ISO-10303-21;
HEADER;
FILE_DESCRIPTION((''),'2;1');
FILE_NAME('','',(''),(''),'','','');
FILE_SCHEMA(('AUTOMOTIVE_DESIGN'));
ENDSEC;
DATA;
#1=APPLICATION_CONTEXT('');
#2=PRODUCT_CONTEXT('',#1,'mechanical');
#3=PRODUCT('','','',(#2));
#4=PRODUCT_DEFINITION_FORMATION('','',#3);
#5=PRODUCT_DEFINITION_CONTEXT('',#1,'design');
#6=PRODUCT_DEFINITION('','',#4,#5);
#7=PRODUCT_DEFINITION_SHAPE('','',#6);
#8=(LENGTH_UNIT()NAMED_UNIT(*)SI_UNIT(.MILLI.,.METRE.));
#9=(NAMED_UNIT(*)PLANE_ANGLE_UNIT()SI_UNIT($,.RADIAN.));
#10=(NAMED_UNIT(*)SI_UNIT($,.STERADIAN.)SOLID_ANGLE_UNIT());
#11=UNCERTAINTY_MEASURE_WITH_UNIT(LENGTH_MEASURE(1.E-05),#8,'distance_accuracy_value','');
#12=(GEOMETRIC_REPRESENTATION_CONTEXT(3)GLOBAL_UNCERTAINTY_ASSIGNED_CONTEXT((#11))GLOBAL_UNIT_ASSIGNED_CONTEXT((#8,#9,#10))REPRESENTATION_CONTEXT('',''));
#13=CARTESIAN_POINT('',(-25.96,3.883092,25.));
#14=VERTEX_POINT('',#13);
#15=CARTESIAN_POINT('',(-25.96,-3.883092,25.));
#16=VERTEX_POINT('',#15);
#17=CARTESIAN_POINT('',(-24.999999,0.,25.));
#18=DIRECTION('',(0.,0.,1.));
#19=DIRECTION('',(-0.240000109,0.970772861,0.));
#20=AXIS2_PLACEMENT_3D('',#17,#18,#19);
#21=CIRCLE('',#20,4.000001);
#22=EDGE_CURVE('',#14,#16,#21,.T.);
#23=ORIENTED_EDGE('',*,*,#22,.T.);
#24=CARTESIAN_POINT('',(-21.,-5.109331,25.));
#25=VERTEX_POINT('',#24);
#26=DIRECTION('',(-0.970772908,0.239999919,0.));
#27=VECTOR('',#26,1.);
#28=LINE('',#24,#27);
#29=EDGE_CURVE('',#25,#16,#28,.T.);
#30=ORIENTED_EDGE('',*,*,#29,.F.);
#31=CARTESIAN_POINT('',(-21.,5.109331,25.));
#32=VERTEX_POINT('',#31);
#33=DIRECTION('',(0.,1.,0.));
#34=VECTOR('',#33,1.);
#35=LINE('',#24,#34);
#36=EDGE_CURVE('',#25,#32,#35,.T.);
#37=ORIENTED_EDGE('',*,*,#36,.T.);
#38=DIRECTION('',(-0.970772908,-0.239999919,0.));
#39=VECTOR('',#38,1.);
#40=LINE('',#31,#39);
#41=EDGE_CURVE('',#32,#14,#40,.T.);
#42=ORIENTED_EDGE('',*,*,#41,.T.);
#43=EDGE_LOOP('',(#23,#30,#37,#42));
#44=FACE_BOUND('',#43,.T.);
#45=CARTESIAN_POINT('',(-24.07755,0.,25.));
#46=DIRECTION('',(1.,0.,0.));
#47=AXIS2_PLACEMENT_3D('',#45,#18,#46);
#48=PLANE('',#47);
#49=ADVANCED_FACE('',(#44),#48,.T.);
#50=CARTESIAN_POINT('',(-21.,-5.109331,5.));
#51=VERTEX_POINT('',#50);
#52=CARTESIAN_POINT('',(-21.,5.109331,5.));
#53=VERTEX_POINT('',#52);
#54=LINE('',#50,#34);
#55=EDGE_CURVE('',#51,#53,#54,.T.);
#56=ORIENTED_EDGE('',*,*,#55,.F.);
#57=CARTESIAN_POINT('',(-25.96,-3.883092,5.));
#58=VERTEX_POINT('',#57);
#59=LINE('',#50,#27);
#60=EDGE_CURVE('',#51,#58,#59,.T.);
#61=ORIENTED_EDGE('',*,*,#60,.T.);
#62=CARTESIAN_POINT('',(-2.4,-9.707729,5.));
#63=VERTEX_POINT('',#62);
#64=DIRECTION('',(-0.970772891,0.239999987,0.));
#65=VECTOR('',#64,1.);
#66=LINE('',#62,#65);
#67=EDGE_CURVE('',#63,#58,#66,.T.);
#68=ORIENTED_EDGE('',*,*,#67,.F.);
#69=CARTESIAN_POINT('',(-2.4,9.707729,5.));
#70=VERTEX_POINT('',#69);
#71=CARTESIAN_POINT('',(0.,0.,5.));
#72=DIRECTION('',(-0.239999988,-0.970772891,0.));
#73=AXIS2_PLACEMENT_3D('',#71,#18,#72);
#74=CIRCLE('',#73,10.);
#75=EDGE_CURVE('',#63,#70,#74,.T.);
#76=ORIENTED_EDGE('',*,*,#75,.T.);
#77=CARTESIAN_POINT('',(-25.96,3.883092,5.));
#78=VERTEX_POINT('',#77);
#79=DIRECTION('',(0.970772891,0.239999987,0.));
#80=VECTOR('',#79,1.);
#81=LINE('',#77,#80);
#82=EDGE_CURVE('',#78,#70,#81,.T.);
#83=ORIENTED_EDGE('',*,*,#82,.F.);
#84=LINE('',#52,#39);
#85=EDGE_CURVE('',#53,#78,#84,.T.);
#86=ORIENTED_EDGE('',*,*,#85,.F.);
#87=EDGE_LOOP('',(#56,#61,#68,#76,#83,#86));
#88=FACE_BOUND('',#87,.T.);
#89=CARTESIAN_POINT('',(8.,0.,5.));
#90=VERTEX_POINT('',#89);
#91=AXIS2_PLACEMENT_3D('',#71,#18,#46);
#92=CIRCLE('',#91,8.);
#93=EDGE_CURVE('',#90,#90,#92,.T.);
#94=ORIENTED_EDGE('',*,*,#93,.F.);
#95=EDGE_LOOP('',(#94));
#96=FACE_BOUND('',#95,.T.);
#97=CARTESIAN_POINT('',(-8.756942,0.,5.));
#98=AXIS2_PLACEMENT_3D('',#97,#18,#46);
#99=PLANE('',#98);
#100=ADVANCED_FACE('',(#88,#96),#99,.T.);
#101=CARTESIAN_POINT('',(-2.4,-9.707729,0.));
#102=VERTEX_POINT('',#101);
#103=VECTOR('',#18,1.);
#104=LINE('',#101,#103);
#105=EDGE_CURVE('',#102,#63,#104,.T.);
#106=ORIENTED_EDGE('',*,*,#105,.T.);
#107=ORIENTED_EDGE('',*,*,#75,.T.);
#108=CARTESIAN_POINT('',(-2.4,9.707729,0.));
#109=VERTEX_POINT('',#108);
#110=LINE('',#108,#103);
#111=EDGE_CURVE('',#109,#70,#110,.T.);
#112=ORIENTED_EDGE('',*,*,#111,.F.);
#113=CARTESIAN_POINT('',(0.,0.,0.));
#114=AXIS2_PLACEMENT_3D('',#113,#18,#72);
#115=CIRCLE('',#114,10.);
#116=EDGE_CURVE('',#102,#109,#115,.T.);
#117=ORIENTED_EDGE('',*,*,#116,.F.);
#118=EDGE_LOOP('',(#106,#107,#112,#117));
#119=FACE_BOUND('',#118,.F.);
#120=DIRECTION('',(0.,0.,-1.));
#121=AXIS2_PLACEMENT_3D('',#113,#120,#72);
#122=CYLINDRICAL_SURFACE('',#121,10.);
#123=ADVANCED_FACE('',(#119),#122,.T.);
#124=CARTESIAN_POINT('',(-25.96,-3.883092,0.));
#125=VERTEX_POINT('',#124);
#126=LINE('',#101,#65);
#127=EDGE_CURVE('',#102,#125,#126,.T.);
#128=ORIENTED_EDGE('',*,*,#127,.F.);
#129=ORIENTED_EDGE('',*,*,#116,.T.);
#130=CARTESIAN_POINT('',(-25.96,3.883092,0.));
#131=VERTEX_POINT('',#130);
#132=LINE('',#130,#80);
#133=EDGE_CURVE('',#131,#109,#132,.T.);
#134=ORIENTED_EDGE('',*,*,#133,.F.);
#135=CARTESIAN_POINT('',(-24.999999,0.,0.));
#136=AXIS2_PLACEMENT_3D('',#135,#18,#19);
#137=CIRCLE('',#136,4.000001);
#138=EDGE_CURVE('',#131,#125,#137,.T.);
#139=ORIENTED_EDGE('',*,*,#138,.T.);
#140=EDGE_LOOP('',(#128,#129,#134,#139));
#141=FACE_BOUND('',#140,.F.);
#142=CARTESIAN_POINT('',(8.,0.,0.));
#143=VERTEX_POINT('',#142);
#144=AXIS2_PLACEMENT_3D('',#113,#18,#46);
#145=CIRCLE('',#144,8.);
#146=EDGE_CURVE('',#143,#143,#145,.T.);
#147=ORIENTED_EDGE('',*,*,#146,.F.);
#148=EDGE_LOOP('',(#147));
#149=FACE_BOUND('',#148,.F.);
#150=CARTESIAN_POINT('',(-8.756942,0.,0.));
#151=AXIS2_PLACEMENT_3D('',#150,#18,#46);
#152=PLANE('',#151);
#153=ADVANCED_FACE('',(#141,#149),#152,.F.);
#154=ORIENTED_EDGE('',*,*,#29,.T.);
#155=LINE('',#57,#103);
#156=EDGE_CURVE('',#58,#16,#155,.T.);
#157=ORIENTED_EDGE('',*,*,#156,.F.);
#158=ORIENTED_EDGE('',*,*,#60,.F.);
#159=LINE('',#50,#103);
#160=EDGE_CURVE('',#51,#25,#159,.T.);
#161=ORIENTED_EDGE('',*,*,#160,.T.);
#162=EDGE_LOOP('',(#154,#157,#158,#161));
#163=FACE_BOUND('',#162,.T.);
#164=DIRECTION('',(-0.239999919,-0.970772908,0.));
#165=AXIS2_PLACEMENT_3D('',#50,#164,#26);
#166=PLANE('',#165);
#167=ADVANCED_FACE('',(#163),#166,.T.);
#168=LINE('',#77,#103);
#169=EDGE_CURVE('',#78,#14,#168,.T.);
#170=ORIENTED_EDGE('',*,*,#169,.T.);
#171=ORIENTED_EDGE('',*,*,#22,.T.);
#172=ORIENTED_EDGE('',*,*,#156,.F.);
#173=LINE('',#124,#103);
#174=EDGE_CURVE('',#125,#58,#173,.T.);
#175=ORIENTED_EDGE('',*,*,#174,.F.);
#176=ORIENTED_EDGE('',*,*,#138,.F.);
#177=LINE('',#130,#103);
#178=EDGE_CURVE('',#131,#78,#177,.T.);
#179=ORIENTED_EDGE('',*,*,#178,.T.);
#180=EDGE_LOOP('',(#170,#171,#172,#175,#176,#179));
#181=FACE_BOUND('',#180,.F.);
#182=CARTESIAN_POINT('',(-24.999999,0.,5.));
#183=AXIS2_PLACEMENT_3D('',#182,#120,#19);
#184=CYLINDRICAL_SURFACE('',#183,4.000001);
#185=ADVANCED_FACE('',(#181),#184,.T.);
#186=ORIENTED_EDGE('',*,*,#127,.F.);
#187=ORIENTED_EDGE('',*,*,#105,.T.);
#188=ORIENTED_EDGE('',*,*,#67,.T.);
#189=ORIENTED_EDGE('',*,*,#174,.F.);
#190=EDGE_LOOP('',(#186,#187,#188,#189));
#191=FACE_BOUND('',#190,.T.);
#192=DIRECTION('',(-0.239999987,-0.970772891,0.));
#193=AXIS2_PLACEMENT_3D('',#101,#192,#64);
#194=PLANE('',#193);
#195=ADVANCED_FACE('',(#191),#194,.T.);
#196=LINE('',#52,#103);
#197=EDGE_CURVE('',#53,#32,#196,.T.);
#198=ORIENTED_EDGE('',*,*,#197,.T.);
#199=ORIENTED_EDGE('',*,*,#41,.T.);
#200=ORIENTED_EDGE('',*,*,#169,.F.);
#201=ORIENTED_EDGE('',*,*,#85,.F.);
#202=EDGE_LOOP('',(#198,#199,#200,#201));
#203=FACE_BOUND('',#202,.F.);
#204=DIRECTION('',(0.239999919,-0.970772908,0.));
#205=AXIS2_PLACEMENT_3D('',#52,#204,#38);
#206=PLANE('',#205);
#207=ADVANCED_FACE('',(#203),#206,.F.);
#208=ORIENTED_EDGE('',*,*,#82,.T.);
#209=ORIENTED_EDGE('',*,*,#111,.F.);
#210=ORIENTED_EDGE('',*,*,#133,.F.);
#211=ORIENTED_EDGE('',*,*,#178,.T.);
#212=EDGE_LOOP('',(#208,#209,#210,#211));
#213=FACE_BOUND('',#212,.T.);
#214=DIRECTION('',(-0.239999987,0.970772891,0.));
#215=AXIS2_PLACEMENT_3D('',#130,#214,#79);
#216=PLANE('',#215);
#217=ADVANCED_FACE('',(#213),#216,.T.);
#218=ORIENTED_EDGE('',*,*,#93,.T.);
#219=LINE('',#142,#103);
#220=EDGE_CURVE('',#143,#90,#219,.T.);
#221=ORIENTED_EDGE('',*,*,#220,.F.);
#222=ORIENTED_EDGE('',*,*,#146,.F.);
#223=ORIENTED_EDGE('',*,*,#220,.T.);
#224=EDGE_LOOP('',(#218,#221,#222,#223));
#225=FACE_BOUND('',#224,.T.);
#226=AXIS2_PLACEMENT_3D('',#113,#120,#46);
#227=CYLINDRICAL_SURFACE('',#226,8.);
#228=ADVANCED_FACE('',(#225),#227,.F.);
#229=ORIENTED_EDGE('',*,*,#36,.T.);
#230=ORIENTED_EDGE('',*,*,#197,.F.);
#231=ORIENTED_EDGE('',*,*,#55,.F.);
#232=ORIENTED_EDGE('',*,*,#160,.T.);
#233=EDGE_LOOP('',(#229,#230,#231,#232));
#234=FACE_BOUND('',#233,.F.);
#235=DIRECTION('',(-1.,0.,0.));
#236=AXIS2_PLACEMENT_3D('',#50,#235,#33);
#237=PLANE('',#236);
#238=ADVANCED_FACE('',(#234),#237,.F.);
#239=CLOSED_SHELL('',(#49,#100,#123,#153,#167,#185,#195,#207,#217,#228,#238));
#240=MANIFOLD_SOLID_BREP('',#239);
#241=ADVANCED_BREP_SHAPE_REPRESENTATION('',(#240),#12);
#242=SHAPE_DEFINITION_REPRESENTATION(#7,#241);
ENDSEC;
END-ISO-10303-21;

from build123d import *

# Parameters (mm, degrees)
SKETCH_R     = 8
PAD_DEPTH    = 5
PAD001_DEPTH = 20


with BuildPart() as part:
    # Sketch → Pad (new body)
    with BuildSketch(Plane.XY):
        with BuildLine():
            ThreePointArc((-2.4, -9.707729), (10, 0), (-2.4, 9.707729))
            Line((-25.96, 3.883092), (-2.4, 9.707729))
            ThreePointArc((-25.96, 3.883092), (-29, 0), (-25.96, -3.883092))
            Line((-2.4, -9.707729), (-25.96, -3.883092))
        make_face()
        Circle(SKETCH_R, mode=Mode.SUBTRACT)
    extrude(amount=PAD_DEPTH)

    # Sketch001 (on Face7 of Pad) → Pad001 (join)
    with BuildSketch(Plane.XY.offset(5)):
        with BuildLine():
            ThreePointArc((-25.96, 3.883092), (-29, 0), (-25.96, -3.883092))
            Line((-21, -5.109331), (-25.96, -3.883092))
            Line((-21, -5.109331), (-21, 5.109331))
            Line((-21, 5.109331), (-25.96, 3.883092))
        make_face()
    extrude(amount=PAD001_DEPTH)


solid = part.part
